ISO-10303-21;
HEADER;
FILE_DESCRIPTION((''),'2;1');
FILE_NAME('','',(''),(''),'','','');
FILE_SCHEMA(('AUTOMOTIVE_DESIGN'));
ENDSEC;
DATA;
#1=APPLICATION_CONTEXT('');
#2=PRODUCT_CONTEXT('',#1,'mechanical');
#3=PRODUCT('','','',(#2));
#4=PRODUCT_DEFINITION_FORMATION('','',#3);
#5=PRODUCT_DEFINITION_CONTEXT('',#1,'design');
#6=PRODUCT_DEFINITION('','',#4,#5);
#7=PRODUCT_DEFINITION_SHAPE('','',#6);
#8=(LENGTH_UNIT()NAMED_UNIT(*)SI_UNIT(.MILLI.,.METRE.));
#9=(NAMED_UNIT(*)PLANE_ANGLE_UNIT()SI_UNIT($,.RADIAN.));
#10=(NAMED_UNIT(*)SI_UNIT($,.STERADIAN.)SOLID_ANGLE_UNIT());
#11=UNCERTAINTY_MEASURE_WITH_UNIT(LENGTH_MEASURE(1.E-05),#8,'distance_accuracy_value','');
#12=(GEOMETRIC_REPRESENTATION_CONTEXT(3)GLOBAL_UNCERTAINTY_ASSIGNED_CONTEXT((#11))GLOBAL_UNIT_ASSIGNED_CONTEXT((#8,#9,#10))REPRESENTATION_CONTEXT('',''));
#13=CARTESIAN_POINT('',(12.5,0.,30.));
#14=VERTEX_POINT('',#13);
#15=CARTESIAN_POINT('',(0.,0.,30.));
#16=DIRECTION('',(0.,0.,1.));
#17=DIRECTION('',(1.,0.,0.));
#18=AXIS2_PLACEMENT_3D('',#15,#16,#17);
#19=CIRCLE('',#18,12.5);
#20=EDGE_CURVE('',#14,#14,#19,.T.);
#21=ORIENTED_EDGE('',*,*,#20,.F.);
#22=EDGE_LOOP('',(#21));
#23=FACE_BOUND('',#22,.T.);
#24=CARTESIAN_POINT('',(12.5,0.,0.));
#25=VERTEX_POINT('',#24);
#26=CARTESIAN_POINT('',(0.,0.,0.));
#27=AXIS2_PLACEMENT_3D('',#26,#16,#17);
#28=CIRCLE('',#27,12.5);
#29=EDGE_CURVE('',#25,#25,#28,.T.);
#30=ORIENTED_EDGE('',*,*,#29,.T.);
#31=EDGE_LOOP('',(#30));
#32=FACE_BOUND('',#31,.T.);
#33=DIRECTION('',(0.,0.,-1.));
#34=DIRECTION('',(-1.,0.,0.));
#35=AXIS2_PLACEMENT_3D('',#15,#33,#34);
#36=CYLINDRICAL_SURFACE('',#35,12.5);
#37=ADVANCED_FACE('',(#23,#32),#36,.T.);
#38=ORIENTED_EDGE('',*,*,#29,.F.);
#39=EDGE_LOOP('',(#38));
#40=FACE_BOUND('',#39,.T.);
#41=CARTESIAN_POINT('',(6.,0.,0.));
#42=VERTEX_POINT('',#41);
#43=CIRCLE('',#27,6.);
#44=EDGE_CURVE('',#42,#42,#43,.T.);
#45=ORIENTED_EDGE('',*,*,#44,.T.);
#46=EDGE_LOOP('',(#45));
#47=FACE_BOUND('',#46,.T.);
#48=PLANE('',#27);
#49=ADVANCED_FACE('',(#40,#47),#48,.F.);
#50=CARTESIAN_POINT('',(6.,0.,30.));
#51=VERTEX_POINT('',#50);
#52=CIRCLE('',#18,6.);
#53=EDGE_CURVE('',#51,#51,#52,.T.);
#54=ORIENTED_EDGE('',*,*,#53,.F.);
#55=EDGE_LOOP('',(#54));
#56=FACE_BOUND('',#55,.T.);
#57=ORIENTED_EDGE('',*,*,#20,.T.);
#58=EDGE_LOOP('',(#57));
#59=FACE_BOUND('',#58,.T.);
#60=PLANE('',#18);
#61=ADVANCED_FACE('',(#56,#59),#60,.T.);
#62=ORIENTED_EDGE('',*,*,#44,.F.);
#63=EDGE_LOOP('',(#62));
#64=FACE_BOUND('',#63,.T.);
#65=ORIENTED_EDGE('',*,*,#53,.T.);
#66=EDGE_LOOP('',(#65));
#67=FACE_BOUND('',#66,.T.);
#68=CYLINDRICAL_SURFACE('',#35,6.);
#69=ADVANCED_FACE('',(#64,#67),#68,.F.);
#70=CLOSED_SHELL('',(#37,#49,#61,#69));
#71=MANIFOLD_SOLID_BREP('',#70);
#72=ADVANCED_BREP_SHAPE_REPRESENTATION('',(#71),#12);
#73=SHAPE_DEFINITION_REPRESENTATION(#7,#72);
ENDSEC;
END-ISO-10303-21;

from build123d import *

# Parameters (mm, degrees)
SKETCH1_R           = 12.5
SKETCH1_R_2         = 6
BOSS_EXTRUDE1_DEPTH = 30


with BuildPart() as part:
    # Sketch1 → Boss-Extrude1 (new body)
    with BuildSketch(Plane.XY):
        Circle(SKETCH1_R)
        Circle(SKETCH1_R_2, mode=Mode.SUBTRACT)
    extrude(amount=BOSS_EXTRUDE1_DEPTH)


solid = part.part
